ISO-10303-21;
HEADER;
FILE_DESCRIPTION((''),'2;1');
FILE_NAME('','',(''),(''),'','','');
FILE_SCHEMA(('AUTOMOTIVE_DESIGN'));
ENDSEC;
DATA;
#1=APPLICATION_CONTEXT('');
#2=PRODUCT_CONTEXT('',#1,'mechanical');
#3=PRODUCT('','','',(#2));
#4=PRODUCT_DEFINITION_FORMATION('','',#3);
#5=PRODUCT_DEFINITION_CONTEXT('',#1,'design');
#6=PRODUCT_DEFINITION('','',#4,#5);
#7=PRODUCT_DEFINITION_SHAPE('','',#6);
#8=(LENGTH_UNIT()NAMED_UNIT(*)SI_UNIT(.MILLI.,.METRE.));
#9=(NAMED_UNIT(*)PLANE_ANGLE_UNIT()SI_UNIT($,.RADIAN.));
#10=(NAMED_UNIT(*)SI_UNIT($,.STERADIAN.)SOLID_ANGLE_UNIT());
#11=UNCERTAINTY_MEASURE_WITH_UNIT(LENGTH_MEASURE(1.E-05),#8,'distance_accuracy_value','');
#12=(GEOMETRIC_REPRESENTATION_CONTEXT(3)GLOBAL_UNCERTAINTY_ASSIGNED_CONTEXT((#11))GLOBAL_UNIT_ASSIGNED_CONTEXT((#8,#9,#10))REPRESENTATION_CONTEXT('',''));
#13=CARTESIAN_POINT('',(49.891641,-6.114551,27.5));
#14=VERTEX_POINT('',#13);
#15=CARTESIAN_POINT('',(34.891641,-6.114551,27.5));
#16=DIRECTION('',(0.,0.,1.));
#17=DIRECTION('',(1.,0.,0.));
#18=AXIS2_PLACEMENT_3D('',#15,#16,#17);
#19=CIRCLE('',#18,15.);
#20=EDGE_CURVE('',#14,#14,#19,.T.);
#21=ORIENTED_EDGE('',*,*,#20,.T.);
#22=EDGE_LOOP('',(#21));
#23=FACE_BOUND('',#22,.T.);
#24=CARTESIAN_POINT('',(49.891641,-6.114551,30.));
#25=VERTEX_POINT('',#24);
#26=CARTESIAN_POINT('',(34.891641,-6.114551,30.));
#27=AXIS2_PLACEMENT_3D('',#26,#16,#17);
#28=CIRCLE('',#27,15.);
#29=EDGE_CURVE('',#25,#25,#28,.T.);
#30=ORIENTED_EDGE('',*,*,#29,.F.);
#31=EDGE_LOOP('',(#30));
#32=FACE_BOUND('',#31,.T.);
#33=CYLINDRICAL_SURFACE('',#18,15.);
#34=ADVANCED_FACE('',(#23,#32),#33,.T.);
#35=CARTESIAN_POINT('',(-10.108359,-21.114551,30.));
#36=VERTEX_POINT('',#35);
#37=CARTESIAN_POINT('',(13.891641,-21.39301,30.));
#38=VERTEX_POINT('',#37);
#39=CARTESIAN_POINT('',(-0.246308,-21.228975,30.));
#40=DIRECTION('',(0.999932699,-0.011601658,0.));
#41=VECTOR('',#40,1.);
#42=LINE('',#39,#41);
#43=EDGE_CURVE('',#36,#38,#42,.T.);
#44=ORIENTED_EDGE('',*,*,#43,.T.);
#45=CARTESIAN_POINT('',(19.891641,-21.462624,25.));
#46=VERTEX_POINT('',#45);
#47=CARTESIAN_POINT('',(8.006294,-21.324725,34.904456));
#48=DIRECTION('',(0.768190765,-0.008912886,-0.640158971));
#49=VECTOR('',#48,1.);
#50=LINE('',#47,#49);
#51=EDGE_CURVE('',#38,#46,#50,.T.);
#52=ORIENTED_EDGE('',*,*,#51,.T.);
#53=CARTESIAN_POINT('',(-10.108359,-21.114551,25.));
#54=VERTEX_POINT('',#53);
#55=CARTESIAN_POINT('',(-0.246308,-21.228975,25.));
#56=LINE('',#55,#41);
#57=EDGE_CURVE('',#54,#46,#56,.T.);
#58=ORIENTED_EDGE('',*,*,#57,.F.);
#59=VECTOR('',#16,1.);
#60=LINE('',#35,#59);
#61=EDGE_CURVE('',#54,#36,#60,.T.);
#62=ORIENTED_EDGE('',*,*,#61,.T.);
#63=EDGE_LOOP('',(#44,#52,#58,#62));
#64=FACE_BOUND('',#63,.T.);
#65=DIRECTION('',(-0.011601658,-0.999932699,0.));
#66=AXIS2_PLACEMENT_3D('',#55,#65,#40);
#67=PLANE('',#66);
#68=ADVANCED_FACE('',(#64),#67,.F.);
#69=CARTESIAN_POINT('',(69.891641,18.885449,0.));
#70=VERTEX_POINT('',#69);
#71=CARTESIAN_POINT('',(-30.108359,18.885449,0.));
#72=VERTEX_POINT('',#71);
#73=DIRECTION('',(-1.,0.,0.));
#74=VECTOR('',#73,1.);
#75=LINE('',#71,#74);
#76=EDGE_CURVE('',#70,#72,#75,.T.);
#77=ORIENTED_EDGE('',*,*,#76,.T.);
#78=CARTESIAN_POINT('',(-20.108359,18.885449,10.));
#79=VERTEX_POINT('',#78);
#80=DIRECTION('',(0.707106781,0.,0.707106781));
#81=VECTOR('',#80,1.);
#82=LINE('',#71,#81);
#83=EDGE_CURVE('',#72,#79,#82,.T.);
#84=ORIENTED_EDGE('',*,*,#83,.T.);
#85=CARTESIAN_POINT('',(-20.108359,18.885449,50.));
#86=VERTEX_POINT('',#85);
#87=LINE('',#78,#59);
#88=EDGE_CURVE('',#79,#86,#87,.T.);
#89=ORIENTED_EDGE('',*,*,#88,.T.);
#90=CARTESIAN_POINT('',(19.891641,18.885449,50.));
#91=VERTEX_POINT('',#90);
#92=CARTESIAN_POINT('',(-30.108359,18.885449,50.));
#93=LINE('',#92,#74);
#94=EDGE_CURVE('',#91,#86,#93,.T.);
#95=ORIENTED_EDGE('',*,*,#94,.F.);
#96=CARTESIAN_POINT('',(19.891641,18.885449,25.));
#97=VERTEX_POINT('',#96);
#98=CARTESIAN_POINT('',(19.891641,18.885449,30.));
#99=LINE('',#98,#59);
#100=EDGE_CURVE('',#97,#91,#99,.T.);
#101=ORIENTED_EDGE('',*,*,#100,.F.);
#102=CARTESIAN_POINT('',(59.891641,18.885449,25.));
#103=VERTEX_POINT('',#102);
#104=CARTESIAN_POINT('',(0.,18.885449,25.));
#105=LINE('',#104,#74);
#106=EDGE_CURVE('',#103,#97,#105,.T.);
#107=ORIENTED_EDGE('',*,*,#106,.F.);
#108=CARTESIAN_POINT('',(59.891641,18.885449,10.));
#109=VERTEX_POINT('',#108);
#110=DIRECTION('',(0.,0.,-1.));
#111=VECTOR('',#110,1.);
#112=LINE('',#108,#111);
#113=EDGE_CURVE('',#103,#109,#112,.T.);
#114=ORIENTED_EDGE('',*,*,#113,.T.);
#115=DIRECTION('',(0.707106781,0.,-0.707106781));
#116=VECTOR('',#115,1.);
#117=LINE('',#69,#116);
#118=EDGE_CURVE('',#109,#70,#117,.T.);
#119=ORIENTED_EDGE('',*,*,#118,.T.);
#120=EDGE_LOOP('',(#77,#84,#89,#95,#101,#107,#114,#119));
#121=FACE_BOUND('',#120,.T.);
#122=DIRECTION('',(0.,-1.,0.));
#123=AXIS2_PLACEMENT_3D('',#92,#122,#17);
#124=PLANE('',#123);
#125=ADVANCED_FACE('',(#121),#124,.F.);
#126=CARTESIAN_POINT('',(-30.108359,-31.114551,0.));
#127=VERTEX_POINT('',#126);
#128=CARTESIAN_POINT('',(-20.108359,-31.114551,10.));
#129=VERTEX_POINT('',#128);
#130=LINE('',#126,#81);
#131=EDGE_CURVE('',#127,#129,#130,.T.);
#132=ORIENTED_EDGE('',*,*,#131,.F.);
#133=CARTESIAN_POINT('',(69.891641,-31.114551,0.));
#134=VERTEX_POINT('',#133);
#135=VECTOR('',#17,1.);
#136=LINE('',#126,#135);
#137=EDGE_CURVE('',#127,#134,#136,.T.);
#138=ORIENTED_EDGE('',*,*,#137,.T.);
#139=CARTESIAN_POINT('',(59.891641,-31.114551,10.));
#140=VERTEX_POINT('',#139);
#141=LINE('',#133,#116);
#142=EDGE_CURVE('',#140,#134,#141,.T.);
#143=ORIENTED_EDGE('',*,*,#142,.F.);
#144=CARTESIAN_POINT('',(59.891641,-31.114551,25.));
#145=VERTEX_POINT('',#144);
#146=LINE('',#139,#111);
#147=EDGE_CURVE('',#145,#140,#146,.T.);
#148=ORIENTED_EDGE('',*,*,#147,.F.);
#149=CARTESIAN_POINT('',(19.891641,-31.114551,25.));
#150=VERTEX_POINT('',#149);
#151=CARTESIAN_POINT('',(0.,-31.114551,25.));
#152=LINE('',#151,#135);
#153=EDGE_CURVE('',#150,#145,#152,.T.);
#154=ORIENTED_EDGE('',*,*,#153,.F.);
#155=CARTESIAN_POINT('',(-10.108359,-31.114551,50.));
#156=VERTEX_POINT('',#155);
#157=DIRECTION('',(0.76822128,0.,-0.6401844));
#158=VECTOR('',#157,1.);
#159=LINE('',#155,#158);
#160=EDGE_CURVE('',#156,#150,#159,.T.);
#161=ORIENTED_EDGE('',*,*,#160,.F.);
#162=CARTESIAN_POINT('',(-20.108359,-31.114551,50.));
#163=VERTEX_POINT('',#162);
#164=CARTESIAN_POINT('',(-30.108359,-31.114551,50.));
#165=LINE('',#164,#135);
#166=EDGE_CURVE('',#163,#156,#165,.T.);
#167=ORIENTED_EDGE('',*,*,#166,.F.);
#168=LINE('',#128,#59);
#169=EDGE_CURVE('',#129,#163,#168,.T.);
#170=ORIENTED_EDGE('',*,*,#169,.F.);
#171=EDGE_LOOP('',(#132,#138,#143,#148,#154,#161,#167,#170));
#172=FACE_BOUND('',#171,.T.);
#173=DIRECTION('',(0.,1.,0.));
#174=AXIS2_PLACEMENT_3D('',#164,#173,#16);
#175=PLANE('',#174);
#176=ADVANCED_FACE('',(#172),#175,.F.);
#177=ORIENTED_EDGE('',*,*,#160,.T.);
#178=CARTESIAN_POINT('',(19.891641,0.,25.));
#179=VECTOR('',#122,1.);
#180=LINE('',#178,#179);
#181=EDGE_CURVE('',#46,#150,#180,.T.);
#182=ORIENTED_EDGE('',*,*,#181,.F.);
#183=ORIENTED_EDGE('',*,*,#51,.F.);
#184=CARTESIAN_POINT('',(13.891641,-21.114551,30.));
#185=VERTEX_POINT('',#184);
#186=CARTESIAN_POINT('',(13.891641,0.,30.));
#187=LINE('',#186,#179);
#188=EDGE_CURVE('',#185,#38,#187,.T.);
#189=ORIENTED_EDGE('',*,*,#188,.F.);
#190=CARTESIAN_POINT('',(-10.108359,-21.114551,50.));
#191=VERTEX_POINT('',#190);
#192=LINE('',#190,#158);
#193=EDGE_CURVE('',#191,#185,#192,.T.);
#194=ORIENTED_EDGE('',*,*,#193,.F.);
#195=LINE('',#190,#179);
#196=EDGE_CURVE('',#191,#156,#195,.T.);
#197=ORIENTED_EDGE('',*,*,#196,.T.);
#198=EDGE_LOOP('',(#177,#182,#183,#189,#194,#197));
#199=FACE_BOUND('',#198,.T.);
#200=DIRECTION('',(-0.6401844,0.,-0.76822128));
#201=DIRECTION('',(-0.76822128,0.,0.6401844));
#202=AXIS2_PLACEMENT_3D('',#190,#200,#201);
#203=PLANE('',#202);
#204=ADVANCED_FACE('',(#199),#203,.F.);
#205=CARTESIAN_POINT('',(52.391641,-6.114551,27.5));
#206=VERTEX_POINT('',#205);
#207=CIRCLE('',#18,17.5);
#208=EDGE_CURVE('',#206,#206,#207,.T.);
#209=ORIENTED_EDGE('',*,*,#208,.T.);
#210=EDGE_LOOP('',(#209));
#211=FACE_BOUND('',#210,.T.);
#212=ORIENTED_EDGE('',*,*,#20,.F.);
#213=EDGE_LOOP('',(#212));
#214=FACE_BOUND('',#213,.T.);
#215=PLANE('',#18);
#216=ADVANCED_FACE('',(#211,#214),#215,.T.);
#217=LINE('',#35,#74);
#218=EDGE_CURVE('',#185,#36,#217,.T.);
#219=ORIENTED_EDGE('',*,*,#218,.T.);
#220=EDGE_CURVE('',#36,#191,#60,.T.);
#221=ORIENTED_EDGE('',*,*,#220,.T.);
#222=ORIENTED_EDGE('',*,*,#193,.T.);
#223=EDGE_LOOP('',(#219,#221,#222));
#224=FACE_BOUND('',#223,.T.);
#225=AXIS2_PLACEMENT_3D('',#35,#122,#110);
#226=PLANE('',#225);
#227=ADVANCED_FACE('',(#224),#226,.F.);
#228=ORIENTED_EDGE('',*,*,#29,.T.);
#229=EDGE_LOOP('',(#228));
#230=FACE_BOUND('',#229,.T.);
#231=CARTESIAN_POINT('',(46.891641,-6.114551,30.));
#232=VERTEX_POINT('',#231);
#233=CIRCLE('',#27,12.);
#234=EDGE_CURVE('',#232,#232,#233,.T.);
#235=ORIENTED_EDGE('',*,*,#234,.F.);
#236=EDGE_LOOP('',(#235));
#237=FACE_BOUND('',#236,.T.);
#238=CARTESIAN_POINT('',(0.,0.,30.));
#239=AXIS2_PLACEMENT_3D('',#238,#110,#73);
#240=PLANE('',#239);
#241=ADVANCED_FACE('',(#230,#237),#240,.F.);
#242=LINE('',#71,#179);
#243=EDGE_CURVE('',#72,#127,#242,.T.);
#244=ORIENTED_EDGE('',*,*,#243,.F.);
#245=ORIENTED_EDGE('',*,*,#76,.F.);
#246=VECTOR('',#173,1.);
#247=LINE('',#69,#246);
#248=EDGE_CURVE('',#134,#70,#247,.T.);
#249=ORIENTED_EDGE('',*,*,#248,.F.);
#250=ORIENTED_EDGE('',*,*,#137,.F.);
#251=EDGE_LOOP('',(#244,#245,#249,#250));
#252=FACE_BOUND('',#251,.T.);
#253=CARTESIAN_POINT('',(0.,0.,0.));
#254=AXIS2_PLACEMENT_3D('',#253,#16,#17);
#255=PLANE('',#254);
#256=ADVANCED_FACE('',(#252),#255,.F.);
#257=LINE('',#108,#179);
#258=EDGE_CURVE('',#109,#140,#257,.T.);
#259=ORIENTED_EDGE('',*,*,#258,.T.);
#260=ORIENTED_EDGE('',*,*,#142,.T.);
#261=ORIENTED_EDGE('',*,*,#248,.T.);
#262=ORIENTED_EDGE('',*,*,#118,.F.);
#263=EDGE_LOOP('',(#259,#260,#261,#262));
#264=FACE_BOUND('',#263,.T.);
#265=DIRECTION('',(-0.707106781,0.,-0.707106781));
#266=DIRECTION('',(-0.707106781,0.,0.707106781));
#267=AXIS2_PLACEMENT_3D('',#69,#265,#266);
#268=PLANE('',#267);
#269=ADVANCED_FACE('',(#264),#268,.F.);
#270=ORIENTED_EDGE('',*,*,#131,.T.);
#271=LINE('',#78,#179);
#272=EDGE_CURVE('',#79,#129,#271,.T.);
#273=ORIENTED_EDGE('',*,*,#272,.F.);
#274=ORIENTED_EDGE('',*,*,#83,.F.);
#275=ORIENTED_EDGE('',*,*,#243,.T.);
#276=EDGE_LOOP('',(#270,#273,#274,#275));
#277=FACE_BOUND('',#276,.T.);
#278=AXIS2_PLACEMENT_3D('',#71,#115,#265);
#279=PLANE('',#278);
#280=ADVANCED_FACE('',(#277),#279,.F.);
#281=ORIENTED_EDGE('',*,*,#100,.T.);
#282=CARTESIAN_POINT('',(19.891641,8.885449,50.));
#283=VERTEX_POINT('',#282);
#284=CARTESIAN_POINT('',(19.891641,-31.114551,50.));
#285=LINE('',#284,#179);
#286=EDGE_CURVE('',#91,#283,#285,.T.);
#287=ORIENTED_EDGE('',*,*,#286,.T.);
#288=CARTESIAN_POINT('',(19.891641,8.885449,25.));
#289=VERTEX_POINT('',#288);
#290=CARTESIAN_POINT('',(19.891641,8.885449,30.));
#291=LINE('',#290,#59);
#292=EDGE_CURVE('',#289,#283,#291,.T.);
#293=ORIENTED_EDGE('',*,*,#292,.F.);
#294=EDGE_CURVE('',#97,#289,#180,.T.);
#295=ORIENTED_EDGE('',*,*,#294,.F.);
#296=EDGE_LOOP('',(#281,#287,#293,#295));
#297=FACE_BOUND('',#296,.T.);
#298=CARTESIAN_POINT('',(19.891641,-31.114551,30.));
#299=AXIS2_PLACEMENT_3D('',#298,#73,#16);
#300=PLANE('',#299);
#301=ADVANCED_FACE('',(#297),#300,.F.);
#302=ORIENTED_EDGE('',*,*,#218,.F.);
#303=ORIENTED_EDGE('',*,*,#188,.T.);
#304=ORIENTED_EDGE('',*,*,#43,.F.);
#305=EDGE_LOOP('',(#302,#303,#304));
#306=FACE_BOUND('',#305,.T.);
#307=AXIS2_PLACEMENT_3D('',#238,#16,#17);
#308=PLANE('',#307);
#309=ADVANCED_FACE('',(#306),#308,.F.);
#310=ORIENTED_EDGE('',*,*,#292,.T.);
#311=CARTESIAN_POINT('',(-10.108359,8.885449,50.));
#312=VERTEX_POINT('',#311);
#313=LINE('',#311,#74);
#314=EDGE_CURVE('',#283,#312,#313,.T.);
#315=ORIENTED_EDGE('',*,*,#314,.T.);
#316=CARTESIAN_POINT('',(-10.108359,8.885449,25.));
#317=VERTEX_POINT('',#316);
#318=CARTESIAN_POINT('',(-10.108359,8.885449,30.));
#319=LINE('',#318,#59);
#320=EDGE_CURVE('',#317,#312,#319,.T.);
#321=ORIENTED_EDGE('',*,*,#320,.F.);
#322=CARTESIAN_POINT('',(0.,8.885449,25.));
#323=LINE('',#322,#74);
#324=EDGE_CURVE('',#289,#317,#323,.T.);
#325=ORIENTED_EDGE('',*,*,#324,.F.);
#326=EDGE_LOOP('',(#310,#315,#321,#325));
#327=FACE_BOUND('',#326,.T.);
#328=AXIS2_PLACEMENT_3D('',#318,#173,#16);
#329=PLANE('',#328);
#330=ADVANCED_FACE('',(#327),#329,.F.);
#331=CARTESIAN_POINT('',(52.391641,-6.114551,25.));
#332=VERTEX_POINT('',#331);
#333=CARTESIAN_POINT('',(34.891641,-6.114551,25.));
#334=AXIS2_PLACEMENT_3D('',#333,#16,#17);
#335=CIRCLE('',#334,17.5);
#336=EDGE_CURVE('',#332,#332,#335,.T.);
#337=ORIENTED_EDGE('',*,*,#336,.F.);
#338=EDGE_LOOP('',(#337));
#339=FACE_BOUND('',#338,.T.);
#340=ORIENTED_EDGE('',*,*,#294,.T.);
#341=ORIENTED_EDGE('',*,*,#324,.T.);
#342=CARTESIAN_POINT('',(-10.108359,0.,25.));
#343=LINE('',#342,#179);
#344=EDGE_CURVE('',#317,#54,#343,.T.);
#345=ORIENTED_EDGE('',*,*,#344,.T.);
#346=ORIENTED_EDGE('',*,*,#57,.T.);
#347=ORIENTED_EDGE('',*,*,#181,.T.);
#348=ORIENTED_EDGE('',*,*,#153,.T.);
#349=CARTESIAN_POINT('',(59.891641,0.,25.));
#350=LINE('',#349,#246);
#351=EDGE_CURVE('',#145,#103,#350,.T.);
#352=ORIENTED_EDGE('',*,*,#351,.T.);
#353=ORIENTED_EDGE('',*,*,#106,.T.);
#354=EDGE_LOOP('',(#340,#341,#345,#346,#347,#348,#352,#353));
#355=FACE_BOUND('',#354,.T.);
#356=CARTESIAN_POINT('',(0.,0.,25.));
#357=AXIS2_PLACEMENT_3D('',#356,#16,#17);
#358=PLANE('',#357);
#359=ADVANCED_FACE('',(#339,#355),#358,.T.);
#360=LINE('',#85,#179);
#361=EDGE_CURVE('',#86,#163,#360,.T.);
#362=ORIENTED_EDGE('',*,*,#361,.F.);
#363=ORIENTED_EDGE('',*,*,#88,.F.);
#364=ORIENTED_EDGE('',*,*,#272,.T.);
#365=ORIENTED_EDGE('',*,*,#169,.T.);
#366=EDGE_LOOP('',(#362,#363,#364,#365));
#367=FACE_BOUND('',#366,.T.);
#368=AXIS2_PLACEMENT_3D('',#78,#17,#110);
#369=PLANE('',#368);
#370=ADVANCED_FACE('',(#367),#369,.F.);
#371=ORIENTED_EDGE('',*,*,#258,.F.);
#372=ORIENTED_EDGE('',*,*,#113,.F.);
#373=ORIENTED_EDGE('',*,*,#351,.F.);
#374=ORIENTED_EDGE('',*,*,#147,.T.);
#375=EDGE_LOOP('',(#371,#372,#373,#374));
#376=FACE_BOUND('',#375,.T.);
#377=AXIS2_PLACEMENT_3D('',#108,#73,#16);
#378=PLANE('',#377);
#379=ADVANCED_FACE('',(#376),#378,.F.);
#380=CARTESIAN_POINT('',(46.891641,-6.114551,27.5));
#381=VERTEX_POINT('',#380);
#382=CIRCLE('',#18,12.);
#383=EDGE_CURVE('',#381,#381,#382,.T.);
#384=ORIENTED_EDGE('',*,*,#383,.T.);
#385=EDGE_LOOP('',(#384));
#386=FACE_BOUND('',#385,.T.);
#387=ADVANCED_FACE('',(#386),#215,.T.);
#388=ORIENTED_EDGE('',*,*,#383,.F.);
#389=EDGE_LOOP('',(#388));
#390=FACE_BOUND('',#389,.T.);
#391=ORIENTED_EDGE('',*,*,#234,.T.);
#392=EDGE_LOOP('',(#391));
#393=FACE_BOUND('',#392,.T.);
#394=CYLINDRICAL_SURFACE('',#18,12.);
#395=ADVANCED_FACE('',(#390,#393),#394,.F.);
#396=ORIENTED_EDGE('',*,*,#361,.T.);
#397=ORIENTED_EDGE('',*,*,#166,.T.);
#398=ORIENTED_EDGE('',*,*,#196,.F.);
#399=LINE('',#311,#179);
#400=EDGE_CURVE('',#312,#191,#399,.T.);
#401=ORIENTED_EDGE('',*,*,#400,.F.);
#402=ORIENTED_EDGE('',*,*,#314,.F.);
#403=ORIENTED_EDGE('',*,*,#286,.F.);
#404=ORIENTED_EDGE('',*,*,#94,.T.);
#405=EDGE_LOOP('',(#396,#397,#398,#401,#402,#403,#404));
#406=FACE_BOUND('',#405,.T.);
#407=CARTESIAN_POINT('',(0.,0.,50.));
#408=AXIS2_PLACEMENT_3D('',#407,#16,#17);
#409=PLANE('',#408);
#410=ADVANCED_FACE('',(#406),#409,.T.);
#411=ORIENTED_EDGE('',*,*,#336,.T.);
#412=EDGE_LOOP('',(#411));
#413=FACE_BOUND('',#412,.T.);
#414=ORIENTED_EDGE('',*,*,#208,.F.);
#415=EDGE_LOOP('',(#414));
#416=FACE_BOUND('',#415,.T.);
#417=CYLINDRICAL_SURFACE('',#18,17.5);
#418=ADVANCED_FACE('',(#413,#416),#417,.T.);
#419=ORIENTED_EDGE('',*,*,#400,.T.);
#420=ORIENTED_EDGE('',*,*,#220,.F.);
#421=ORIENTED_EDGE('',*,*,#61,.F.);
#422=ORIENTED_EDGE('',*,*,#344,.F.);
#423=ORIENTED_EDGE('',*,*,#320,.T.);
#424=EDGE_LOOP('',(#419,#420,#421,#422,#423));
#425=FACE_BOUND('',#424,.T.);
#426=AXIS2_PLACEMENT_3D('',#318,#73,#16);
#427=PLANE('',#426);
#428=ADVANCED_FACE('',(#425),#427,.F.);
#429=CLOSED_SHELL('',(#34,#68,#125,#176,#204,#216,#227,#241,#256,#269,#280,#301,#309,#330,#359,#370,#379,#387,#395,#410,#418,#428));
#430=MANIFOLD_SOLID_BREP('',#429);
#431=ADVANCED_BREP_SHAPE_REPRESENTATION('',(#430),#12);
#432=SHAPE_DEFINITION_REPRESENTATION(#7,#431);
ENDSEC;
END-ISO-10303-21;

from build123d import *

# Parameters (mm, degrees)
ESQUISSE2_W              = 100
ESQUISSE2_H              = 50
BOSS_EXTRU_1_DEPTH       = 50
ENL_V_MAT_EXTRU_2_DEPTH  = 51
ESQUISSE7_W              = 40
ESQUISSE7_H              = 50
ENL_V_MAT_EXTRU_3_DEPTH  = 20
ESQUISSE8_W              = 30
ESQUISSE8_H              = 30
ENL_V_MAT_EXTRU_4_DEPTH  = 20
ENL_V_MAT_EXTRU_7_DEPTH  = 2.5
ENL_V_MAT_EXTRU_10_DEPTH = 5
ENL_V_MAT_EXTRU_11_DEPTH = 5
ENL_V_MAT_EXTRU_12_DEPTH = 10
ESQUISSE16_R             = 17.5
ESQUISSE16_R_2           = 15
ENL_V_MAT_EXTRU_13_DEPTH = 2.5
ESQUISSE17_R             = 12
ENL_V_MAT_EXTRU_14_DEPTH = 2.5


with BuildPart() as part:
    # Esquisse2 → Boss.-Extru.1 (new body)
    with BuildSketch(Plane.XY):
        with Locations((19.891640867, -6.114551084)):
            Rectangle(ESQUISSE2_W, ESQUISSE2_H)
    extrude(amount=BOSS_EXTRU_1_DEPTH)

    # Esquisse5 → Enlèv. mat.-Extru.2 (cut, through all)
    with BuildSketch(Plane(origin=(0, -31.114551084, 0), x_dir=(-1, 0, 0), z_dir=(0, -1, 0))):
        Polygon((30.108359133, 0), (20.108359133, -10), (20.108359133, -50), (30.108359133, -50), align=None)
        Polygon((-69.891640867, 0), (-59.891640867, -10), (-59.891640867, -50), (-69.891640867, -50), align=None)
    extrude(amount=-ENL_V_MAT_EXTRU_2_DEPTH, mode=Mode.SUBTRACT)

    # Esquisse7 → Enlèv. mat.-Extru.3 (cut)
    with BuildSketch(Plane.XY.offset(50)):
        with Locations((39.891640867, -6.114551084)):
            Rectangle(ESQUISSE7_W, ESQUISSE7_H)
    extrude(amount=-ENL_V_MAT_EXTRU_3_DEPTH, mode=Mode.SUBTRACT)

    # Esquisse8 → Enlèv. mat.-Extru.4 (cut)
    with BuildSketch(Plane.XY.offset(50)):
        with Locations((4.891640867, -6.114551084)):
            Rectangle(ESQUISSE8_W, ESQUISSE8_H)
    extrude(amount=-ENL_V_MAT_EXTRU_4_DEPTH, mode=Mode.SUBTRACT)

    # Esquisse9 → Enlèv. mat.-Extru.7 (cut)
    with BuildSketch(Plane.XY.offset(30)):
        with BuildLine():
            Line((25.877762678, 8.885448916), (19.891640867, 8.885448916))
            Line((19.891640867, 8.885448916), (-10.108359133, 8.885448916))
            Line((-10.108359133, 8.885448916), (-10.108359133, -20.265562259))
            Line((-10.108359133, -20.265562259), (-10.108359133, -21.114551084))
            Line((-10.108359133, -21.114551084), (19.891640867, -21.114551084))
            Line((19.891640867, -21.114551084), (26.628394236, -21.540787019))
            ThreePointArc((26.628394236, -21.540787019), (17.396963997, -6.546154144), (25.877762678, 8.885448916))
        make_face()
    extrude(amount=-ENL_V_MAT_EXTRU_7_DEPTH, mode=Mode.SUBTRACT)

    # Esquisse11 → Enlèv. mat.-Extru.10 (cut)
    with BuildSketch(Plane.XY.offset(30)):
        with BuildLine():
            Line((26.628394236, -21.540787019), (19.891640867, -21.114551084))
            Line((19.891640867, -21.114551084), (19.891640867, -31.114551084))
            Line((19.891640867, -31.114551084), (59.891640867, -31.114551084))
            Line((59.891640867, -31.114551084), (59.891640867, 18.885448916))
            Line((59.891640867, 18.885448916), (19.891640867, 18.885448916))
            Line((19.891640867, 18.885448916), (19.891640867, 8.885448916))
            Line((19.891640867, 8.885448916), (25.877762678, 8.885448916))
            ThreePointArc((25.877762678, 8.885448916), (43.508691746, 9.116878073), (52.391640867, -6.114551084))
            ThreePointArc((52.391640867, -6.114551084), (43.881723847, -21.12882456), (26.628394236, -21.540787019))
        make_face()
    extrude(amount=-ENL_V_MAT_EXTRU_10_DEPTH, mode=Mode.SUBTRACT)

    # Esquisse13 → Enlèv. mat.-Extru.11 (cut)
    with BuildSketch(Plane.XY.offset(30)):
        with BuildLine():
            ThreePointArc((26.628394236, -21.540787019), (17.396963997, -6.546154144), (25.877762678, 8.885448916))
            Line((25.877762678, 8.885448916), (-10.108359133, 8.885448916))
            Line((-10.108359133, 8.885448916), (-10.108359133, -21.114551084))
            Line((-10.108359133, -21.114551084), (26.628394236, -21.540787019))
        make_face()
    extrude(amount=-ENL_V_MAT_EXTRU_11_DEPTH, mode=Mode.SUBTRACT)

    # Esquisse15 → Enlèv. mat.-Extru.12 (cut)
    with BuildSketch(Plane(origin=(0, -31.114551084, 0), x_dir=(-1, 0, 0), z_dir=(0, -1, 0))):
        Polygon((10.108359133, -50), (-19.891640867, -25), (-19.891640867, -50), align=None)
    extrude(amount=-ENL_V_MAT_EXTRU_12_DEPTH, mode=Mode.SUBTRACT)

    # Esquisse16 → Enlèv. mat.-Extru.13 (cut)
    with BuildSketch(Plane.XY.offset(30)):
        with Locations((34.891640867, -6.114551084)):
            Circle(ESQUISSE16_R)
        with Locations((34.891640867, -6.114551084)):
            Circle(ESQUISSE16_R_2, mode=Mode.SUBTRACT)
    extrude(amount=-ENL_V_MAT_EXTRU_13_DEPTH, mode=Mode.SUBTRACT)

    # Esquisse17 → Enlèv. mat.-Extru.14 (cut)
    with BuildSketch(Plane.XY.offset(30)):
        with Locations((34.891640867, -6.114551084)):
            Circle(ESQUISSE17_R)
    extrude(amount=-ENL_V_MAT_EXTRU_14_DEPTH, mode=Mode.SUBTRACT)


solid = part.part
